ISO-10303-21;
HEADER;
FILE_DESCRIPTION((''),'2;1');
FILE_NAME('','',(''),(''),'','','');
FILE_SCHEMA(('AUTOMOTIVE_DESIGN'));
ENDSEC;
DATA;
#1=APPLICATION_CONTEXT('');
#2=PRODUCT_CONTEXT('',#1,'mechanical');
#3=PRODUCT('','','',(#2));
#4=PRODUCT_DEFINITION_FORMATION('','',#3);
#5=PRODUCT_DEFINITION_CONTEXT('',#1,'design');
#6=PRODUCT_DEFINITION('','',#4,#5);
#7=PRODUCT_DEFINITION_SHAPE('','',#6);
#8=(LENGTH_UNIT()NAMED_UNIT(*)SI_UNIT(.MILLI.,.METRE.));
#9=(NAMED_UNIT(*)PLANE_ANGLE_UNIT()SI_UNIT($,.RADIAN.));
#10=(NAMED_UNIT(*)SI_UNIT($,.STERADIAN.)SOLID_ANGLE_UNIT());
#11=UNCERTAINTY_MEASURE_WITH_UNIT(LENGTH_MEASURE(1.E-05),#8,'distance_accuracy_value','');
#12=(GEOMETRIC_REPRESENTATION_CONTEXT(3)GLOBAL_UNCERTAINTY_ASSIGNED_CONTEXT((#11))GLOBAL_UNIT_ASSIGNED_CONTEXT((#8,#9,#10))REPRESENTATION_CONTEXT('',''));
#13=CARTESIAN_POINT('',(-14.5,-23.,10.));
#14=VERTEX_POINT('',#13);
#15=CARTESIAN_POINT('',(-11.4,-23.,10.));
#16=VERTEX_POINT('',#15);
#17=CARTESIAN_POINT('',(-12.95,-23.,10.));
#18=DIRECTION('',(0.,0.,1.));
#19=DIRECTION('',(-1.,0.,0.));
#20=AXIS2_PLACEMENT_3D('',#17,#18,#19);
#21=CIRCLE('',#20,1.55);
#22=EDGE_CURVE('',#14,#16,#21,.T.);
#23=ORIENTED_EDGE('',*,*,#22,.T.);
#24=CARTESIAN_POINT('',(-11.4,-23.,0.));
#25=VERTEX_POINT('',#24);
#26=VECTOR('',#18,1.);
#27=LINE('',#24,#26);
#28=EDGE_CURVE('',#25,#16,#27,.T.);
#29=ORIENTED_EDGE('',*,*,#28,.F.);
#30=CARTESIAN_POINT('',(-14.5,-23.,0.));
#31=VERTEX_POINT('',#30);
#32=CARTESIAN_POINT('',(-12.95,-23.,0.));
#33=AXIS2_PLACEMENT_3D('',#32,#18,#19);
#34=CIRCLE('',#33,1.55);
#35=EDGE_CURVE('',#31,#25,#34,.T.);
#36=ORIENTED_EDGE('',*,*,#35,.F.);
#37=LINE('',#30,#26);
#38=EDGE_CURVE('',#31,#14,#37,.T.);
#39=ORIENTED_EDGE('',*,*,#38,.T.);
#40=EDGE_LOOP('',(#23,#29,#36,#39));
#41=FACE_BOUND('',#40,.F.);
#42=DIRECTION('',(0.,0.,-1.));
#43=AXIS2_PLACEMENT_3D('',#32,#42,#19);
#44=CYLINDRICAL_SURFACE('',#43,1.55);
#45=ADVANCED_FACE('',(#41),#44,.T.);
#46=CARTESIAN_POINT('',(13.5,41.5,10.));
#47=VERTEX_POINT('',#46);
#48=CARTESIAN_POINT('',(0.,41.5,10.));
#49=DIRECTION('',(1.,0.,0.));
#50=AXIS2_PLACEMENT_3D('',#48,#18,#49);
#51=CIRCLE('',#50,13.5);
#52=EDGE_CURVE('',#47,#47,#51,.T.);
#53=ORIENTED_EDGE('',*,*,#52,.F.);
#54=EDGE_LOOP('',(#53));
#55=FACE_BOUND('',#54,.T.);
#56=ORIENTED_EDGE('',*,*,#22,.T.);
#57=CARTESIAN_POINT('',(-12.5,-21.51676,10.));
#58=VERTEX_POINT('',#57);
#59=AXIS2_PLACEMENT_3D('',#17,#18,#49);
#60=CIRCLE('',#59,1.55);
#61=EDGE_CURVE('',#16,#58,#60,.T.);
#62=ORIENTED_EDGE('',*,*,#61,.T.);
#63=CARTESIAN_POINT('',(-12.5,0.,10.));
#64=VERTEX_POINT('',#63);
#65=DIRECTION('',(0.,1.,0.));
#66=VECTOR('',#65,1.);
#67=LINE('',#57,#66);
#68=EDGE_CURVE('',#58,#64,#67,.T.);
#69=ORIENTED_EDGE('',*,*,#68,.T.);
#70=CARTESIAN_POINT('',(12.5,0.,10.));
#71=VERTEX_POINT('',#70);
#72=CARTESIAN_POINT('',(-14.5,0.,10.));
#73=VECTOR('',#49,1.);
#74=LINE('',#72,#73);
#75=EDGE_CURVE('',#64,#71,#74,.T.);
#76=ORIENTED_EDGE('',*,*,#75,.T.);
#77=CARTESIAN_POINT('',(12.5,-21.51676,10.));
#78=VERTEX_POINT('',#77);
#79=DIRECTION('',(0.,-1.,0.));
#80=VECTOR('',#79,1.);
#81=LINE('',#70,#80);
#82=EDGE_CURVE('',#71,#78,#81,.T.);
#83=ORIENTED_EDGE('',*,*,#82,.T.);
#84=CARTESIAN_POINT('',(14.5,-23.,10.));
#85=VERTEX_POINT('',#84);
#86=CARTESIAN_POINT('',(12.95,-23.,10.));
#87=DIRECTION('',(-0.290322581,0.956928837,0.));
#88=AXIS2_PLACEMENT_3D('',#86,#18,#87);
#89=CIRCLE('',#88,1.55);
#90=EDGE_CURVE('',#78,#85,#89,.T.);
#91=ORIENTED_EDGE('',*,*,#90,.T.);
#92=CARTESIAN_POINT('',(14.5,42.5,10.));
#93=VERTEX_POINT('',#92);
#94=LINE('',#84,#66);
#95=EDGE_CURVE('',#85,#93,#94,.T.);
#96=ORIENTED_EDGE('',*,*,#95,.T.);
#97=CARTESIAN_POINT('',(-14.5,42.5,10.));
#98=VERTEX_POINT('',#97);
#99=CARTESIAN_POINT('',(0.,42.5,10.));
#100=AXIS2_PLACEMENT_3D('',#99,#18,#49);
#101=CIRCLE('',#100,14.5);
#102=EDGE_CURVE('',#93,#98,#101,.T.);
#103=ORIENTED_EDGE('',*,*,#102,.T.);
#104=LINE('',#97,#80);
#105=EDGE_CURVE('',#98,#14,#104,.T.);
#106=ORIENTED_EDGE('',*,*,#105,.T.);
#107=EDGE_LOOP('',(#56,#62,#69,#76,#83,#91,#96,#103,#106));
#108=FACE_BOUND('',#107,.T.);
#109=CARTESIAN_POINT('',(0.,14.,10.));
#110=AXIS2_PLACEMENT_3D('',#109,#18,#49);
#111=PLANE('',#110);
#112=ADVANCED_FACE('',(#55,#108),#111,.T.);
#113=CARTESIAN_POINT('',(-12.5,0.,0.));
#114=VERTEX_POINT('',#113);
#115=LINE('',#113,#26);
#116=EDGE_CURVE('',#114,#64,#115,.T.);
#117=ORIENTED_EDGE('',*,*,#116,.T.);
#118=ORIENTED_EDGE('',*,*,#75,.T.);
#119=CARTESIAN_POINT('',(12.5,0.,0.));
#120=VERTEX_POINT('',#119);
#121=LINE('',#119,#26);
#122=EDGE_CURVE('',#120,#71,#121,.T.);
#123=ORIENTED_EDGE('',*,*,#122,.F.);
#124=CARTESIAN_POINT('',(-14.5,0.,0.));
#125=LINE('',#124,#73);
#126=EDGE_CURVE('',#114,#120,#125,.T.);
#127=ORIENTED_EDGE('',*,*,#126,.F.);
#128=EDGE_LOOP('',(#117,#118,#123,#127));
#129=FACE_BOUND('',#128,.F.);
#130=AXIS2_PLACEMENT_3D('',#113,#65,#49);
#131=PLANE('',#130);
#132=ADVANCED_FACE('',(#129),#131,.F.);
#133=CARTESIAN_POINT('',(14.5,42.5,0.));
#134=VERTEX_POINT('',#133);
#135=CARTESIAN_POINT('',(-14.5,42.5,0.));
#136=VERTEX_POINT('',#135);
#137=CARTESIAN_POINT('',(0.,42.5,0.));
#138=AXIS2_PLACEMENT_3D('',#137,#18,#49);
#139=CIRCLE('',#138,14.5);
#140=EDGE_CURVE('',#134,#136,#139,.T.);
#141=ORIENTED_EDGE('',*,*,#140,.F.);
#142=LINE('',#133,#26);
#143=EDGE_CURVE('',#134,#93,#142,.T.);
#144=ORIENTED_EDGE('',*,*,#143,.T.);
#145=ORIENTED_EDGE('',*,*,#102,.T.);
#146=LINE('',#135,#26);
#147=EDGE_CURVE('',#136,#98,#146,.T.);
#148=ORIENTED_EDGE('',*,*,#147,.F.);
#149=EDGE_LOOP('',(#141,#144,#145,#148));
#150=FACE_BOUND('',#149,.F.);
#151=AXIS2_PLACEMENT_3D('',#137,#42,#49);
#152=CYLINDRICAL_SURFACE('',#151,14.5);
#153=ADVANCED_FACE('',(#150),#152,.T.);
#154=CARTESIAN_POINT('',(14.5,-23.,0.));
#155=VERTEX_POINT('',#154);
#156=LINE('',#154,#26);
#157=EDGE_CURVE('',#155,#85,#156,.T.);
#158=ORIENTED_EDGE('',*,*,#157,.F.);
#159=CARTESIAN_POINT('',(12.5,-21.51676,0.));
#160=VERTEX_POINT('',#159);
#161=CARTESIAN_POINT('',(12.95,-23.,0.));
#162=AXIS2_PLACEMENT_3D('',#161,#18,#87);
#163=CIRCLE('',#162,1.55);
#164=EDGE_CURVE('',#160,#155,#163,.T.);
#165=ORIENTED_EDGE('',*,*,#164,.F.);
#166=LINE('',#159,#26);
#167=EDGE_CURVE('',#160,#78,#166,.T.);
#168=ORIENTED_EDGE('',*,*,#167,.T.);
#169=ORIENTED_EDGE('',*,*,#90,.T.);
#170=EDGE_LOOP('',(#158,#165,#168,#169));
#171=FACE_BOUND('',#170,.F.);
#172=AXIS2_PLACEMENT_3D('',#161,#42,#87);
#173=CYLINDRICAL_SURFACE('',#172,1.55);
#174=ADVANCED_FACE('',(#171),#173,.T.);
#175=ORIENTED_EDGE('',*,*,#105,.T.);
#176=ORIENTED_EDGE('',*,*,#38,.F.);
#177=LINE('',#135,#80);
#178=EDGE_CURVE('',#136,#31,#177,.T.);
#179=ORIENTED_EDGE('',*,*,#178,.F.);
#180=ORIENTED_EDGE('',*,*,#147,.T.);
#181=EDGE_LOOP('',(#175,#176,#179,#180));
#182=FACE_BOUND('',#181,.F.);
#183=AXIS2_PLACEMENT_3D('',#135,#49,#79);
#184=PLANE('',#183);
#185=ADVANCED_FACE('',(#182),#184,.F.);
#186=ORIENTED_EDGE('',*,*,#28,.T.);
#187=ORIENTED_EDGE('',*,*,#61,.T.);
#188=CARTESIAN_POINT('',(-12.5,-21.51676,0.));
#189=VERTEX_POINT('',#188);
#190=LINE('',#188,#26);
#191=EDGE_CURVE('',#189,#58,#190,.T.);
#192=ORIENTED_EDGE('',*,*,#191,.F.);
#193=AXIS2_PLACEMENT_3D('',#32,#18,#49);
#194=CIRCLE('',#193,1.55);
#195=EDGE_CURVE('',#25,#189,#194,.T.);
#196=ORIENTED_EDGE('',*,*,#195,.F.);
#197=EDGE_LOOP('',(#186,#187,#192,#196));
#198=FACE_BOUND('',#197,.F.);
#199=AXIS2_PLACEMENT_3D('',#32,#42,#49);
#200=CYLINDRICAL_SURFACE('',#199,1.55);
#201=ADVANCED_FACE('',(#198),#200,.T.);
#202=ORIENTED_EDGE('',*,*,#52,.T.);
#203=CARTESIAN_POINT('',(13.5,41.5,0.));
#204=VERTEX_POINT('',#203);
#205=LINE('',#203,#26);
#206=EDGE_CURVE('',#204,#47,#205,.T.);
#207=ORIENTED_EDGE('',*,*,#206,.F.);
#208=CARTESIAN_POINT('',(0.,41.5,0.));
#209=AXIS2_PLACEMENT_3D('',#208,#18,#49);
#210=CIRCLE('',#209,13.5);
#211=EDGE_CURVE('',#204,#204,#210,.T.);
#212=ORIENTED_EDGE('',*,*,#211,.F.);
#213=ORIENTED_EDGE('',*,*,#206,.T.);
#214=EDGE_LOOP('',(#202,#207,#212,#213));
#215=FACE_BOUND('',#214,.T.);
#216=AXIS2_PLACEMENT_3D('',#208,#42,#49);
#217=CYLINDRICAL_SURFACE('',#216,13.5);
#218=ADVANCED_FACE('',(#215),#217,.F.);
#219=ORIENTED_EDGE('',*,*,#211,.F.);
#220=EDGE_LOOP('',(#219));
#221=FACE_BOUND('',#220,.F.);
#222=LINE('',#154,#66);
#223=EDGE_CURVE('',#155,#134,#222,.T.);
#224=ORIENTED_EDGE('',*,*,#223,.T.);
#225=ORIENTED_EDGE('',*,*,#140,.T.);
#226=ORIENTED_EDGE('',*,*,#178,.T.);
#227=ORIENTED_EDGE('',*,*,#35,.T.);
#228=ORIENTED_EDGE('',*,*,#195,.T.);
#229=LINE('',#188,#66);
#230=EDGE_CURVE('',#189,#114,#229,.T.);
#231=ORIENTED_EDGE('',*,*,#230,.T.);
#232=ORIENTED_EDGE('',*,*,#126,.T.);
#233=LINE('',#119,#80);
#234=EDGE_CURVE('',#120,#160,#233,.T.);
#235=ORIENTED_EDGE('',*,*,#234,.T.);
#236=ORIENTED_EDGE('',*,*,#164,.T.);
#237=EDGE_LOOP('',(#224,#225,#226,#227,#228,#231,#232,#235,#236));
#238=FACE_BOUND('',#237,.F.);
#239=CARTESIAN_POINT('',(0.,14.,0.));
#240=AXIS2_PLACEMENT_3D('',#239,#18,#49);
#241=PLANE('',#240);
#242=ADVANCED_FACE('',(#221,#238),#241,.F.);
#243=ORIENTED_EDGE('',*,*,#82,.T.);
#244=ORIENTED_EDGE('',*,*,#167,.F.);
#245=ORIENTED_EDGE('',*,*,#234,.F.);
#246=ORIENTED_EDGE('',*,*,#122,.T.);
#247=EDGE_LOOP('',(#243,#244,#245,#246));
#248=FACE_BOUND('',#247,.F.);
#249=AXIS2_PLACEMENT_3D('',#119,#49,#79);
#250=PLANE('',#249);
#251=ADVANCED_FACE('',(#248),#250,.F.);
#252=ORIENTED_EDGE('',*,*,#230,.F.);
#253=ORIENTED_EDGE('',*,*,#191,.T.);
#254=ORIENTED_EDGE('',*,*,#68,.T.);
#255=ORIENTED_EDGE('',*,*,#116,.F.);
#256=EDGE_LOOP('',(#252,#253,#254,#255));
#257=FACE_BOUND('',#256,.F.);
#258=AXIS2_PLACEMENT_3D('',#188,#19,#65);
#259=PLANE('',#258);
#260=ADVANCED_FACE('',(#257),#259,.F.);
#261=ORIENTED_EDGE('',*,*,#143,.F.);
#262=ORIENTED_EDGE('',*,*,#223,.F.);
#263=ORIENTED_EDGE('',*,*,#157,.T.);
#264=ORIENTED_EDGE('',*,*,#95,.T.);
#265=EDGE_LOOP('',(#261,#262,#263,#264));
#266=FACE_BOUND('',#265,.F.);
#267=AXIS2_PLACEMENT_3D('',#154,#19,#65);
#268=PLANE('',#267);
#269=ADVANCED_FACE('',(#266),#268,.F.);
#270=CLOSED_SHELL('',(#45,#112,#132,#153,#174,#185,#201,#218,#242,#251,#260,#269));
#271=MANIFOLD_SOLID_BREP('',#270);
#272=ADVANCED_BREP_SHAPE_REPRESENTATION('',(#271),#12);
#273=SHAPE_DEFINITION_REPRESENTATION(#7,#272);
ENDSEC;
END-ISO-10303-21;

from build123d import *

# Parameters (mm, degrees)
F2_DEPTH = 10
F1_R     = 13.5
F3_DEPTH = 10


with BuildPart() as f2:
    # F0 (on Top) → F2 (new body)
    with BuildSketch(Plane.XY):
        Polygon((-12.5, 0), (12.5, 0), (14.5, 0), (14.5, 28), (0, 28), (-14.5, 28), (-14.5, 0), align=None)
        with BuildLine():
            Line((14.5, 0), (12.5, 0))
            Line((12.5, 0), (12.5, -21.5167603026))
            ThreePointArc((12.5, -21.5167603026), (13.8733092656, -21.7550100402), (14.5, -23))
            Line((14.5, -23), (14.5, 0))
        make_face()
        with BuildLine():
            ThreePointArc((14.5, -23), (13.8733092656, -21.7550100402), (12.5, -21.5167603026))
            Line((12.5, -21.5167603026), (12.5, -23))
            Line((12.5, -23), (14.5, -23))
        make_face()
        with BuildLine():
            Line((12.5, -23), (12.5, -21.5167603026))
            ThreePointArc((12.5, -21.5167603026), (12.0266907344, -24.2449899598), (14.5, -23))
            Line((14.5, -23), (12.5, -23))
        make_face()
        with BuildLine():
            Line((-12.5, -21.5167603026), (-12.5, 0))
            Line((-12.5, 0), (-14.5, 0))
            Line((-14.5, 0), (-14.5, -23))
            ThreePointArc((-14.5, -23), (-13.8733092656, -21.7550100402), (-12.5, -21.5167603026))
        make_face()
        with BuildLine():
            Line((0, 28), (14.5, 28))
            Line((14.5, 28), (14.5, 42.5))
            ThreePointArc((14.5, 42.5), (10.2530483272, 32.2469516728), (0, 28))
        make_face()
        with BuildLine():
            ThreePointArc((-11.4, -23), (-11.7050100402, -22.0766907344), (-12.5, -21.5167603026))
            Line((-12.5, -21.5167603026), (-12.5, -23))
            Line((-12.5, -23), (-14.5, -23))
            ThreePointArc((-14.5, -23), (-12.95, -24.55), (-11.4, -23))
        make_face()
        with BuildLine():
            Line((-12.5, -23), (-12.5, -21.5167603026))
            ThreePointArc((-12.5, -21.5167603026), (-13.8733092656, -21.7550100402), (-14.5, -23))
            Line((-14.5, -23), (-12.5, -23))
        make_face()
        with BuildLine():
            Line((-14.5, 28), (0, 28))
            ThreePointArc((0, 28), (-10.2530483272, 32.2469516728), (-14.5, 42.5))
            Line((-14.5, 42.5), (-14.5, 28))
        make_face()
        with BuildLine():
            ThreePointArc((-14.5, 42.5), (-10.2530483272, 32.2469516728), (0, 28))
            ThreePointArc((0, 28), (10.2530483272, 32.2469516728), (14.5, 42.5))
            ThreePointArc((14.5, 42.5), (0, 57), (-14.5, 42.5))
        make_face()
    extrude(amount=F2_DEPTH)

    # F1 (on Top) → F3 (cut)
    with BuildSketch(Plane.XY):
        with Locations((0, 41.5)):
            Circle(F1_R)
    extrude(amount=F3_DEPTH, mode=Mode.SUBTRACT)


solid = f2.part
